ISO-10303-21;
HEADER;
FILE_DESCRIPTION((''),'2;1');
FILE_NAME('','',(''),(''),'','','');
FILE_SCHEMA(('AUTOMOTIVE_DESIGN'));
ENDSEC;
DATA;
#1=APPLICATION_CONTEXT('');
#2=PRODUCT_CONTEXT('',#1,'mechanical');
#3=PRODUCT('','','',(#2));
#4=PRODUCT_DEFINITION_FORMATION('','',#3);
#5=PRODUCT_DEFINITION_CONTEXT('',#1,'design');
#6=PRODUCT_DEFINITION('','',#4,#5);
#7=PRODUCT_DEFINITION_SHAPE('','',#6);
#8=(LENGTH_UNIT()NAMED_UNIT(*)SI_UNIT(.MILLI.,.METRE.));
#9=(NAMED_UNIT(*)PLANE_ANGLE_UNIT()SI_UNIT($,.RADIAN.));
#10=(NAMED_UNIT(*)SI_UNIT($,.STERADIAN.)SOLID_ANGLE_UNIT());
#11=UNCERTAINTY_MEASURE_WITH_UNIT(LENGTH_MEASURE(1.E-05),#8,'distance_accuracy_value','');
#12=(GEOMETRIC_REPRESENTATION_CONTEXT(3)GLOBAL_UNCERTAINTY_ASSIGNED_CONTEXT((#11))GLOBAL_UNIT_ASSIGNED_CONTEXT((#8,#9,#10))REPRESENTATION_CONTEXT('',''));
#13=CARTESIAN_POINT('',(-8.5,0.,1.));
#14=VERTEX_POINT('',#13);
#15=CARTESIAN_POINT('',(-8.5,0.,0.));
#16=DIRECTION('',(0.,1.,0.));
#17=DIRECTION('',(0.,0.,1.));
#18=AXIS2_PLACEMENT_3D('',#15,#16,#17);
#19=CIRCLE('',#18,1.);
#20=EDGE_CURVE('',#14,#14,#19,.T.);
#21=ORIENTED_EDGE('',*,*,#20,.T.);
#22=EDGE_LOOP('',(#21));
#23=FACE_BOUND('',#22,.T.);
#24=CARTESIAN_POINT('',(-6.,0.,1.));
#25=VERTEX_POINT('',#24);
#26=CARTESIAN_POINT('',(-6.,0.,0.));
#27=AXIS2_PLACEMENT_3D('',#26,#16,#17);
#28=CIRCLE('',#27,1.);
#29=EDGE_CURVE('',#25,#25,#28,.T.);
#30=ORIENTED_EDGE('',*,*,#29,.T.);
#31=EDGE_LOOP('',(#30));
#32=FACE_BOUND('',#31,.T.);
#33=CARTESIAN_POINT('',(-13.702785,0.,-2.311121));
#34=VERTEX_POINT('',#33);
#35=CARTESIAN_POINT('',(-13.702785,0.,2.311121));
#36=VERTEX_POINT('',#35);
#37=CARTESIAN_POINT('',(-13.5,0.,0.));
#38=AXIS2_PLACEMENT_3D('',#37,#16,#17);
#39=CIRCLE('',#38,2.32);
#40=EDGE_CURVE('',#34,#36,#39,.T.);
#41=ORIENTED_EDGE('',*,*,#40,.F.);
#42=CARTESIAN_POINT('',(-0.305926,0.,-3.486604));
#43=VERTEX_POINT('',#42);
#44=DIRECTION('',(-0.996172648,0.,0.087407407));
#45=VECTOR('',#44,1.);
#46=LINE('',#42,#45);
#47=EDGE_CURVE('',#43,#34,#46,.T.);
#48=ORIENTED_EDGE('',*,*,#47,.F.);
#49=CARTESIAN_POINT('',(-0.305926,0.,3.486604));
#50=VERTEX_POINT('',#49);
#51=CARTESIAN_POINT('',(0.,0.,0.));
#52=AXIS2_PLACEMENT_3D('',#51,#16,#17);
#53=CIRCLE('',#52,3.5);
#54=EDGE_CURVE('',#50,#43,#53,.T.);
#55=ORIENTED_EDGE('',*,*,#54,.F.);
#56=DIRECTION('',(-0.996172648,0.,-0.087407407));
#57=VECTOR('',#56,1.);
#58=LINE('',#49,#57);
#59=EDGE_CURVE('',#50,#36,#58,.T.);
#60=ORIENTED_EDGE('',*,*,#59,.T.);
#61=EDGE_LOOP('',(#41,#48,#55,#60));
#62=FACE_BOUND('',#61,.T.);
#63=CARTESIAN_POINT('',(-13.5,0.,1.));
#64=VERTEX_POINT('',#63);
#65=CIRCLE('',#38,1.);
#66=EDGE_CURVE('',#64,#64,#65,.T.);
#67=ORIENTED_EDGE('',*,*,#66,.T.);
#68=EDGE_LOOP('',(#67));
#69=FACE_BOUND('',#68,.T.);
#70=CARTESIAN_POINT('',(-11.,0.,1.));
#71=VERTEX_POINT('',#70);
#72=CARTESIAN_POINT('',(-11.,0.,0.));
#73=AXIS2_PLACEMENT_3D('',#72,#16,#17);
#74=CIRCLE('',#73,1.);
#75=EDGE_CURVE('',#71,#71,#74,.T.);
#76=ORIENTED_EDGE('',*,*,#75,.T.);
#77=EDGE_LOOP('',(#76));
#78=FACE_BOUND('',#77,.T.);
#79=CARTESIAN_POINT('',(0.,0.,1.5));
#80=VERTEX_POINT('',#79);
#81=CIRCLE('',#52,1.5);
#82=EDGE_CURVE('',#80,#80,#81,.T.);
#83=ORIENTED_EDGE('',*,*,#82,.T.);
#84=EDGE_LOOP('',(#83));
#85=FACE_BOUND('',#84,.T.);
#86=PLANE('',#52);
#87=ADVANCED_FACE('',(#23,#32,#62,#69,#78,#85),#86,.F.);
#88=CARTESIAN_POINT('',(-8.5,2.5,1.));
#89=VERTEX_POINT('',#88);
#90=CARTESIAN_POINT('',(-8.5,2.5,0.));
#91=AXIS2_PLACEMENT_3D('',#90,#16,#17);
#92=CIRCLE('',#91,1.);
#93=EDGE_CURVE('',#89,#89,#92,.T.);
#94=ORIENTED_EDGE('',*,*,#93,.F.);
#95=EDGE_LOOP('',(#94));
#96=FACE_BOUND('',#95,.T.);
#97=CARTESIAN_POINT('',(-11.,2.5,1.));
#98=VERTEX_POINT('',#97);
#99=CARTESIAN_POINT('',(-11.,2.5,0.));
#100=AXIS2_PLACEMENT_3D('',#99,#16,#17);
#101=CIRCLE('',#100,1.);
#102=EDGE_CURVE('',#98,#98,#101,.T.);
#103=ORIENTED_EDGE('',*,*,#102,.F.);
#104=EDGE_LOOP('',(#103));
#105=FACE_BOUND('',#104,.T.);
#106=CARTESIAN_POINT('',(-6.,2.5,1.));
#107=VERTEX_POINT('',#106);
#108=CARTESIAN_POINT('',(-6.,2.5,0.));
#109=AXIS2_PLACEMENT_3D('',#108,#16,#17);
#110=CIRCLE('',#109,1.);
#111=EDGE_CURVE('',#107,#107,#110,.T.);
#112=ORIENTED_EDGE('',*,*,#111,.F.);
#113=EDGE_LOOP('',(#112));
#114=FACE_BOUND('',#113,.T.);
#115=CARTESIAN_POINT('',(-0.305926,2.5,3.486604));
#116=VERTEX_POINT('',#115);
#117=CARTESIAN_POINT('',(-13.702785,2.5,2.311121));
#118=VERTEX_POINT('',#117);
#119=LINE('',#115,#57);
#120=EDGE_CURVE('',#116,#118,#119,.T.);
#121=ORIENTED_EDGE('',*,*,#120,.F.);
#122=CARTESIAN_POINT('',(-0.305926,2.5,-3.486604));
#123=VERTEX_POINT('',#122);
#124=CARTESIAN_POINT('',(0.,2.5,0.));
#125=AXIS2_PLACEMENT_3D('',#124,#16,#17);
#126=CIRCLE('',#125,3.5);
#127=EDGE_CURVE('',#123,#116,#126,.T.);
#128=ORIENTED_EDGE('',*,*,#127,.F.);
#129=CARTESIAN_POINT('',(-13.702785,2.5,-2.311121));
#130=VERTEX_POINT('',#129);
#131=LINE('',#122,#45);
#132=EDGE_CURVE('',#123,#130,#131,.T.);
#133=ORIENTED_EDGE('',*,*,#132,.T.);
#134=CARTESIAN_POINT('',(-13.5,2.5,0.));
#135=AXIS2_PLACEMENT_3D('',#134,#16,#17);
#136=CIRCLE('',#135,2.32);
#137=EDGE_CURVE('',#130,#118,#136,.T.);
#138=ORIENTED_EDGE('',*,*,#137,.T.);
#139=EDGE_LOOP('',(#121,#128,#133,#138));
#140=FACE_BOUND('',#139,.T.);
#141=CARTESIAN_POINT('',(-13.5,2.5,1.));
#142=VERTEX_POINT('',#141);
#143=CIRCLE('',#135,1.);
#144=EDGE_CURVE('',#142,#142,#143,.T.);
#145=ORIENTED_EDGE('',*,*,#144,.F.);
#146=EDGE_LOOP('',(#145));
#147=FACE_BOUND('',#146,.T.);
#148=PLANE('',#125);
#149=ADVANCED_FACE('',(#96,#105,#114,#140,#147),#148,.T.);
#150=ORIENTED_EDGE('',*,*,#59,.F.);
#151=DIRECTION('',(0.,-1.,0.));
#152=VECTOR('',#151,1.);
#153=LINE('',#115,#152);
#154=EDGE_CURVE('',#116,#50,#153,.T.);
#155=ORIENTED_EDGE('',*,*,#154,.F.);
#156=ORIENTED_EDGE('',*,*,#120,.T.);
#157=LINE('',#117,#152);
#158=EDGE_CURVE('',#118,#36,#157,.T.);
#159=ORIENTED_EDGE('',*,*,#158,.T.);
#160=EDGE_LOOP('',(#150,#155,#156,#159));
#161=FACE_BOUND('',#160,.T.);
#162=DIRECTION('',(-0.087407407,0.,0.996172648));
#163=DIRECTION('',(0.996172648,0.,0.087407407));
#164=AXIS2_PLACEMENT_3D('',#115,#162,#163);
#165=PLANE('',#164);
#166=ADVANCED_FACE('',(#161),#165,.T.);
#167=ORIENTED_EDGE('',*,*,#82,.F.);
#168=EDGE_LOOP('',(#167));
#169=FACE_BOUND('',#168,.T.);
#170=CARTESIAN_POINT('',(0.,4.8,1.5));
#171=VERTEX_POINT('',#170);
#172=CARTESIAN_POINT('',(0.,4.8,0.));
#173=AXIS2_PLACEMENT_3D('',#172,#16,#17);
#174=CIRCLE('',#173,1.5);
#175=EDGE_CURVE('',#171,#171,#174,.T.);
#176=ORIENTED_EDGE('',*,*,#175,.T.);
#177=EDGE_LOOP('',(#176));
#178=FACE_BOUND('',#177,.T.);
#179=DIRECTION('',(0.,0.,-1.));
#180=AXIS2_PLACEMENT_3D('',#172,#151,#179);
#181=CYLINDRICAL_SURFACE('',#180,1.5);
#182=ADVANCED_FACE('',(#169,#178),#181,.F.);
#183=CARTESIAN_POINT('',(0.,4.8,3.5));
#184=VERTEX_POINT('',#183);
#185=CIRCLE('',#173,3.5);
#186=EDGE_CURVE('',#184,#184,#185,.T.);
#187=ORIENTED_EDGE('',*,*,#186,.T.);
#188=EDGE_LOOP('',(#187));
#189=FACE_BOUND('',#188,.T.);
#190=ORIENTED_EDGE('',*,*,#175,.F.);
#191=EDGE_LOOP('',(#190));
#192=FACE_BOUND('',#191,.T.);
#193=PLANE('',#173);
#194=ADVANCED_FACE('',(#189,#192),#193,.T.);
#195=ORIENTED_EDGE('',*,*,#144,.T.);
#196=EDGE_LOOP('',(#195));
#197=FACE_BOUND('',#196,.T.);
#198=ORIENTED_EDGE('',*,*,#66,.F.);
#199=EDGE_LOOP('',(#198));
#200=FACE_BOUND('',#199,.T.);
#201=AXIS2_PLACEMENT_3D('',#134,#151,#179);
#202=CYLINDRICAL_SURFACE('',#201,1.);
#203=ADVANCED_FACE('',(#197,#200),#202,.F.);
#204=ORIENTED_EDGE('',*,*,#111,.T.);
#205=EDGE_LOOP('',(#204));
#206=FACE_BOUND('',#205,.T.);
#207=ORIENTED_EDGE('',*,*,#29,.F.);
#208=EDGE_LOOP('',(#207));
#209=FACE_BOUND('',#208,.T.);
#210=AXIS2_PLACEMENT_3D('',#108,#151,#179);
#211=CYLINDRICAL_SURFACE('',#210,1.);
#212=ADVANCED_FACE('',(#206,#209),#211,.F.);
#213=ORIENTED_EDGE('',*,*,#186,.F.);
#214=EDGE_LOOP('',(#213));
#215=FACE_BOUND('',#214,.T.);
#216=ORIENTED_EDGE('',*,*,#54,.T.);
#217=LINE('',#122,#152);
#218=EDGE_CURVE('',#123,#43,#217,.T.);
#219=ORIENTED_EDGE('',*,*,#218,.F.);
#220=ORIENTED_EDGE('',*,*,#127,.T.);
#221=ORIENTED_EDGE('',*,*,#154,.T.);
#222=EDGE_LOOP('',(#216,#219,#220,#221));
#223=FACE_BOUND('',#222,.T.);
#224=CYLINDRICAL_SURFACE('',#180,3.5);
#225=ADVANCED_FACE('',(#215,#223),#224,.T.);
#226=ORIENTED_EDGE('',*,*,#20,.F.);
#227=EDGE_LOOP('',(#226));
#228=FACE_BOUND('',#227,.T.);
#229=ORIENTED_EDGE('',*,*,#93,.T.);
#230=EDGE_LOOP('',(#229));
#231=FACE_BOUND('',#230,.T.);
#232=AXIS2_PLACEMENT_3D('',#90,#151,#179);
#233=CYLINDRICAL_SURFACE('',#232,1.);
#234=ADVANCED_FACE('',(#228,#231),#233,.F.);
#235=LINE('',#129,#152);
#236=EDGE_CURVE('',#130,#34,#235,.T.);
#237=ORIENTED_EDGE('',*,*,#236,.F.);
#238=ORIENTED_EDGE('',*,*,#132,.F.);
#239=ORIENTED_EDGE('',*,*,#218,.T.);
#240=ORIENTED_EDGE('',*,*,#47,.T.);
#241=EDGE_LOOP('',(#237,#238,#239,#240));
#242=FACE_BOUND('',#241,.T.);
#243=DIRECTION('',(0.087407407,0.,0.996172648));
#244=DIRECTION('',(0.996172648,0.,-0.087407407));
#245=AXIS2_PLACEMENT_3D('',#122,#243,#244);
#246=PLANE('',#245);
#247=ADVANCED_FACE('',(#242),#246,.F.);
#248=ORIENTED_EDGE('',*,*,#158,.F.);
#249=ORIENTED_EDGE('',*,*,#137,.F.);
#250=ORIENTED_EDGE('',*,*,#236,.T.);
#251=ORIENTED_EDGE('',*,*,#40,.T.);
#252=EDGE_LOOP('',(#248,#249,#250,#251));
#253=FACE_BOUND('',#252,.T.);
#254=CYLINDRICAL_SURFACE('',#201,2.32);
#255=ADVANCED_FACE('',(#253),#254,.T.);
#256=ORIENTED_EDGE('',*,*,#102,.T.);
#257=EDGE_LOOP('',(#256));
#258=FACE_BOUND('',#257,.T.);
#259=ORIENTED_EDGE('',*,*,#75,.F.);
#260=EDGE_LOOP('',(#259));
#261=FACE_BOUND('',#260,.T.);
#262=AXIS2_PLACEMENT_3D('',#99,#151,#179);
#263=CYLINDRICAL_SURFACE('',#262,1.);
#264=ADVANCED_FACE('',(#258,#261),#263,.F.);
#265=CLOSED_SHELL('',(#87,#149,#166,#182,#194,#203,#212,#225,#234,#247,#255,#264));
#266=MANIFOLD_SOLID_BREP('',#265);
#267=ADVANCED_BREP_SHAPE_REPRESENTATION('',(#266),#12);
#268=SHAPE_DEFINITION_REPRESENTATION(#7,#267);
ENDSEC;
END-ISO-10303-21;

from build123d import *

# Parameters (mm, degrees)
SKETCH_1_R      = 1
EXTRUDE_1_DEPTH = 2.5
SKETCH_1_3_R    = 1.5
EXTRUDE_2_DEPTH = 4.8


with BuildPart() as part:
    # 草图1 → 凸台-拉伸1 (new body)
    with BuildSketch(Plane(origin=(0, 0, 0), x_dir=(1, 0, 0), z_dir=(0, 1, 0))):
        with BuildLine():
            ThreePointArc((-0.305925926, -3.486604269), (-3.5, 0), (-0.305925926, 3.486604269))
            Line((-0.305925926, 3.486604269), (-13.702785185, 2.311120544))
            ThreePointArc((-13.702785185, 2.311120544), (-15.82, 0), (-13.702785185, -2.311120544))
            Line((-13.702785185, -2.311120544), (-0.305925926, -3.486604269))
        make_face()
        with Locations((-13.5, 0)):
            Circle(SKETCH_1_R, mode=Mode.SUBTRACT)
        with Locations((-11, 0)):
            Circle(SKETCH_1_R, mode=Mode.SUBTRACT)
        with Locations((-8.5, 0)):
            Circle(SKETCH_1_R, mode=Mode.SUBTRACT)
        with Locations((-6, 0)):
            Circle(SKETCH_1_R, mode=Mode.SUBTRACT)
    extrude(amount=EXTRUDE_1_DEPTH)

    # 草图1<3> → 凸台-拉伸2 (add)
    with BuildSketch(Plane(origin=(0, 0, 0), x_dir=(1, 0, 0), z_dir=(0, 1, 0))):
        with BuildLine():
            ThreePointArc((3.5, 0), (2.364239757, 2.580769337), (-0.305925926, 3.486604269))
            ThreePointArc((-0.305925926, 3.486604269), (-3.5, 0), (-0.305925926, -3.486604269))
            ThreePointArc((-0.305925926, -3.486604269), (2.364239757, -2.580769337), (3.5, 0))
        make_face()
        Circle(SKETCH_1_3_R, mode=Mode.SUBTRACT)
    extrude(amount=EXTRUDE_2_DEPTH)


solid = part.part
